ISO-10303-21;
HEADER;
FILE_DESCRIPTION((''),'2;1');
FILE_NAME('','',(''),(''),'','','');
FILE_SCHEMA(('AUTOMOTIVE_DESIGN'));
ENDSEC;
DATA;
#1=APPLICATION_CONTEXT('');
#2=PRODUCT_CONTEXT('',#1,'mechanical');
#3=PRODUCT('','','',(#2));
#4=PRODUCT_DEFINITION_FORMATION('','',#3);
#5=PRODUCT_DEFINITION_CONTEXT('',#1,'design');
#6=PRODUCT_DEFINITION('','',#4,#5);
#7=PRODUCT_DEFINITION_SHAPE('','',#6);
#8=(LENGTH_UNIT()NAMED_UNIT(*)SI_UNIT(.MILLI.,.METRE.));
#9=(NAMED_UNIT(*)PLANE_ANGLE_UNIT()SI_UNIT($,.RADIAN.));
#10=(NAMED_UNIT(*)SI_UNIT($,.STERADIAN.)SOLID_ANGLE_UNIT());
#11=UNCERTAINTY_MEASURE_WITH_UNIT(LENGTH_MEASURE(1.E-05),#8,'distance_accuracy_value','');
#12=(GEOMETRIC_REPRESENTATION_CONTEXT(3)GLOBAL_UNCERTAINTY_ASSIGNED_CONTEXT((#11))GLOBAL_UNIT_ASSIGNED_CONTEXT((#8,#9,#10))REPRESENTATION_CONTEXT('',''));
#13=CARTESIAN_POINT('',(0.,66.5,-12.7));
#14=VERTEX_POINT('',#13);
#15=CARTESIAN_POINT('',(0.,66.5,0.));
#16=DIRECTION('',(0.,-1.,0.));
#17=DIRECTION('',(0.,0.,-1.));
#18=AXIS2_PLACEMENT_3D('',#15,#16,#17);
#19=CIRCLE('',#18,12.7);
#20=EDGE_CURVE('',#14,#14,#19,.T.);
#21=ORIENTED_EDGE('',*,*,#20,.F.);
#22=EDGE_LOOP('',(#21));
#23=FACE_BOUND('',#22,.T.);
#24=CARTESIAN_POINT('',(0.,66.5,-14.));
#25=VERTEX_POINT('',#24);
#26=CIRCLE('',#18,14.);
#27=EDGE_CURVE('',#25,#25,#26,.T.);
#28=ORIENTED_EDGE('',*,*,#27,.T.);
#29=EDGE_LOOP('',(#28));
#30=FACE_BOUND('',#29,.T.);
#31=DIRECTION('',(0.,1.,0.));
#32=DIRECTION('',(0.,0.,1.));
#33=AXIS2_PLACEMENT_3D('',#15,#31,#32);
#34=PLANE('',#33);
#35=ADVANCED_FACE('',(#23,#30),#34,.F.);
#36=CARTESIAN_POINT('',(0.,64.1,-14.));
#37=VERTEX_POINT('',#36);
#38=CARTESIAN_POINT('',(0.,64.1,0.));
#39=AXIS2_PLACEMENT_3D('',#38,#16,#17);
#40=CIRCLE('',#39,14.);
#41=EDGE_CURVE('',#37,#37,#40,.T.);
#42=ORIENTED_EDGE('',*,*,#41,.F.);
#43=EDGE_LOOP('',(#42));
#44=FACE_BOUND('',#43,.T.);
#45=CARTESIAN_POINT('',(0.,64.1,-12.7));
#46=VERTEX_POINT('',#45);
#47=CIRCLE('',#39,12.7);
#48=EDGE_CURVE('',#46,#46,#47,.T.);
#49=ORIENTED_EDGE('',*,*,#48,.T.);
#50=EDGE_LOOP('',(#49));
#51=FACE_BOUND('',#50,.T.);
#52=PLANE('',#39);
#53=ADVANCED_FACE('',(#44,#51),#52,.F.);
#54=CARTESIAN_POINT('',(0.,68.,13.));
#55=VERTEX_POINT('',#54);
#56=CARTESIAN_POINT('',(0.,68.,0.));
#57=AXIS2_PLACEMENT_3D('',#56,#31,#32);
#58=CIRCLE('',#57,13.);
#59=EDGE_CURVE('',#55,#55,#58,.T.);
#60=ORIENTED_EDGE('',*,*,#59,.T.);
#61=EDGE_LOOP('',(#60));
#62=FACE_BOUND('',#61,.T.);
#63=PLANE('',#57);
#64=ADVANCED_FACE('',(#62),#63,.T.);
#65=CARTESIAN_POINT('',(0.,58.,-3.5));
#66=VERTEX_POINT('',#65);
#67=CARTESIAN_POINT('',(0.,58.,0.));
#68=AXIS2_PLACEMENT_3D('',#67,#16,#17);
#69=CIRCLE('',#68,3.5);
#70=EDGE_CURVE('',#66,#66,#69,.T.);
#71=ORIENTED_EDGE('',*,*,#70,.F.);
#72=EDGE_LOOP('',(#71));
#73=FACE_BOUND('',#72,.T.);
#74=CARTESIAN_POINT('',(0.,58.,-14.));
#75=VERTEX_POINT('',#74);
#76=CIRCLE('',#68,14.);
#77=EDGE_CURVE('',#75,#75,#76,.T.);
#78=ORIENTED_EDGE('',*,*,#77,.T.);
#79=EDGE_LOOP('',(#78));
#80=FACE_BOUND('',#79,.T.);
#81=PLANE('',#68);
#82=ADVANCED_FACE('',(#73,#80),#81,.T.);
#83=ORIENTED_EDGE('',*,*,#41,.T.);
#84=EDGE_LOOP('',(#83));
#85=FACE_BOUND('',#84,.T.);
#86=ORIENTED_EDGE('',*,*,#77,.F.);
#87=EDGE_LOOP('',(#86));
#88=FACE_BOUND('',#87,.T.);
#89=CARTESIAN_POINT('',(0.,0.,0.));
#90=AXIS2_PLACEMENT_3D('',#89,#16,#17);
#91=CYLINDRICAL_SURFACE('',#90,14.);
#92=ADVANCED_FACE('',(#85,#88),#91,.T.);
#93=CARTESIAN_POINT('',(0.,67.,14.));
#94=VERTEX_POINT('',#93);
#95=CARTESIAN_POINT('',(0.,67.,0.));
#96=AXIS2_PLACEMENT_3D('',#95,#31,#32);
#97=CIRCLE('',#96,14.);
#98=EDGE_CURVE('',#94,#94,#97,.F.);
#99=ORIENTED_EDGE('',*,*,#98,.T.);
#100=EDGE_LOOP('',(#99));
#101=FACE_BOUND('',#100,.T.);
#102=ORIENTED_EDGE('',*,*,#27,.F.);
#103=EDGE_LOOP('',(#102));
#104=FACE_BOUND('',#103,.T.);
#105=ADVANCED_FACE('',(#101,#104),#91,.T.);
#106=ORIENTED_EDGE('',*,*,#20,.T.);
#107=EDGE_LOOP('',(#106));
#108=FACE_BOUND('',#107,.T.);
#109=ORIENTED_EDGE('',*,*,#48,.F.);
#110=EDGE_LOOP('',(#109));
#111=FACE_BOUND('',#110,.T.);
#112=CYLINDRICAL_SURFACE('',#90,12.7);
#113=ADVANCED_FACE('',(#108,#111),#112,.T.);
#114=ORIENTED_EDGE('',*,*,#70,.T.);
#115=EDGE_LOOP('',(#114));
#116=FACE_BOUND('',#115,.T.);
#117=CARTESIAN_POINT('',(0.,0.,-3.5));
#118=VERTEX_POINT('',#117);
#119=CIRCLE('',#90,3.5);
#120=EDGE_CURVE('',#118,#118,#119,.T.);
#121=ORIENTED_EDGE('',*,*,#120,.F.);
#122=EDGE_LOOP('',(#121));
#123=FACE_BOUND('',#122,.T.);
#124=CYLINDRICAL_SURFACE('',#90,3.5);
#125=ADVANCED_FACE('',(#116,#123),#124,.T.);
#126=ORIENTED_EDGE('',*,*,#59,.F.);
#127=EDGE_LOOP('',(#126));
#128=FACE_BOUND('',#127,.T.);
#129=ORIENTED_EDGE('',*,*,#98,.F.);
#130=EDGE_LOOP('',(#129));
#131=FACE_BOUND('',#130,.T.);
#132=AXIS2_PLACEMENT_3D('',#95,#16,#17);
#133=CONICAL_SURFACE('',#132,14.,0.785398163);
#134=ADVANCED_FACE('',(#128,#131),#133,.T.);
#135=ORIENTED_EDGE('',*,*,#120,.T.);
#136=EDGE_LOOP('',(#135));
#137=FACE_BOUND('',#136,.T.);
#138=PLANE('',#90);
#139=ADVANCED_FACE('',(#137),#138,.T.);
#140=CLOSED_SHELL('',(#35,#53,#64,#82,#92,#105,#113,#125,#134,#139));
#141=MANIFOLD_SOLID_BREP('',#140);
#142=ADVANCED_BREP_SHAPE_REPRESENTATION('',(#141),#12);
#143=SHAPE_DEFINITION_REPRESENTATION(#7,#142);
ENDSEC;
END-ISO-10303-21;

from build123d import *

# Parameters (mm, degrees)
SMUSSO1_SIZE = 1


with BuildPart() as part:
    # Schizzo1 → Rivoluzione1 (revolve)
    with BuildSketch(Plane.XY, mode=Mode.PRIVATE) as rivoluzione1_sk:
        Polygon((-3.5, 0), (0, 0), (0, 68), (-14, 68), (-14, 66.5), (-12.7, 66.5), (-12.7, 64.1), (-14, 64.1), (-14, 58), (-3.5, 58), align=None)
    revolve(rivoluzione1_sk.sketch.rotate(Axis((0, 0, 0), (0, 1, 0)), 270), axis=Axis((0, 0, 0), (0, 1, 0)))

    # Smusso1
    smusso1_edges = [part.edges().sort_by_distance(p)[0] for p in [
        (0, 68, 14),
    ]]
    chamfer(smusso1_edges, length=SMUSSO1_SIZE)


solid = part.part
